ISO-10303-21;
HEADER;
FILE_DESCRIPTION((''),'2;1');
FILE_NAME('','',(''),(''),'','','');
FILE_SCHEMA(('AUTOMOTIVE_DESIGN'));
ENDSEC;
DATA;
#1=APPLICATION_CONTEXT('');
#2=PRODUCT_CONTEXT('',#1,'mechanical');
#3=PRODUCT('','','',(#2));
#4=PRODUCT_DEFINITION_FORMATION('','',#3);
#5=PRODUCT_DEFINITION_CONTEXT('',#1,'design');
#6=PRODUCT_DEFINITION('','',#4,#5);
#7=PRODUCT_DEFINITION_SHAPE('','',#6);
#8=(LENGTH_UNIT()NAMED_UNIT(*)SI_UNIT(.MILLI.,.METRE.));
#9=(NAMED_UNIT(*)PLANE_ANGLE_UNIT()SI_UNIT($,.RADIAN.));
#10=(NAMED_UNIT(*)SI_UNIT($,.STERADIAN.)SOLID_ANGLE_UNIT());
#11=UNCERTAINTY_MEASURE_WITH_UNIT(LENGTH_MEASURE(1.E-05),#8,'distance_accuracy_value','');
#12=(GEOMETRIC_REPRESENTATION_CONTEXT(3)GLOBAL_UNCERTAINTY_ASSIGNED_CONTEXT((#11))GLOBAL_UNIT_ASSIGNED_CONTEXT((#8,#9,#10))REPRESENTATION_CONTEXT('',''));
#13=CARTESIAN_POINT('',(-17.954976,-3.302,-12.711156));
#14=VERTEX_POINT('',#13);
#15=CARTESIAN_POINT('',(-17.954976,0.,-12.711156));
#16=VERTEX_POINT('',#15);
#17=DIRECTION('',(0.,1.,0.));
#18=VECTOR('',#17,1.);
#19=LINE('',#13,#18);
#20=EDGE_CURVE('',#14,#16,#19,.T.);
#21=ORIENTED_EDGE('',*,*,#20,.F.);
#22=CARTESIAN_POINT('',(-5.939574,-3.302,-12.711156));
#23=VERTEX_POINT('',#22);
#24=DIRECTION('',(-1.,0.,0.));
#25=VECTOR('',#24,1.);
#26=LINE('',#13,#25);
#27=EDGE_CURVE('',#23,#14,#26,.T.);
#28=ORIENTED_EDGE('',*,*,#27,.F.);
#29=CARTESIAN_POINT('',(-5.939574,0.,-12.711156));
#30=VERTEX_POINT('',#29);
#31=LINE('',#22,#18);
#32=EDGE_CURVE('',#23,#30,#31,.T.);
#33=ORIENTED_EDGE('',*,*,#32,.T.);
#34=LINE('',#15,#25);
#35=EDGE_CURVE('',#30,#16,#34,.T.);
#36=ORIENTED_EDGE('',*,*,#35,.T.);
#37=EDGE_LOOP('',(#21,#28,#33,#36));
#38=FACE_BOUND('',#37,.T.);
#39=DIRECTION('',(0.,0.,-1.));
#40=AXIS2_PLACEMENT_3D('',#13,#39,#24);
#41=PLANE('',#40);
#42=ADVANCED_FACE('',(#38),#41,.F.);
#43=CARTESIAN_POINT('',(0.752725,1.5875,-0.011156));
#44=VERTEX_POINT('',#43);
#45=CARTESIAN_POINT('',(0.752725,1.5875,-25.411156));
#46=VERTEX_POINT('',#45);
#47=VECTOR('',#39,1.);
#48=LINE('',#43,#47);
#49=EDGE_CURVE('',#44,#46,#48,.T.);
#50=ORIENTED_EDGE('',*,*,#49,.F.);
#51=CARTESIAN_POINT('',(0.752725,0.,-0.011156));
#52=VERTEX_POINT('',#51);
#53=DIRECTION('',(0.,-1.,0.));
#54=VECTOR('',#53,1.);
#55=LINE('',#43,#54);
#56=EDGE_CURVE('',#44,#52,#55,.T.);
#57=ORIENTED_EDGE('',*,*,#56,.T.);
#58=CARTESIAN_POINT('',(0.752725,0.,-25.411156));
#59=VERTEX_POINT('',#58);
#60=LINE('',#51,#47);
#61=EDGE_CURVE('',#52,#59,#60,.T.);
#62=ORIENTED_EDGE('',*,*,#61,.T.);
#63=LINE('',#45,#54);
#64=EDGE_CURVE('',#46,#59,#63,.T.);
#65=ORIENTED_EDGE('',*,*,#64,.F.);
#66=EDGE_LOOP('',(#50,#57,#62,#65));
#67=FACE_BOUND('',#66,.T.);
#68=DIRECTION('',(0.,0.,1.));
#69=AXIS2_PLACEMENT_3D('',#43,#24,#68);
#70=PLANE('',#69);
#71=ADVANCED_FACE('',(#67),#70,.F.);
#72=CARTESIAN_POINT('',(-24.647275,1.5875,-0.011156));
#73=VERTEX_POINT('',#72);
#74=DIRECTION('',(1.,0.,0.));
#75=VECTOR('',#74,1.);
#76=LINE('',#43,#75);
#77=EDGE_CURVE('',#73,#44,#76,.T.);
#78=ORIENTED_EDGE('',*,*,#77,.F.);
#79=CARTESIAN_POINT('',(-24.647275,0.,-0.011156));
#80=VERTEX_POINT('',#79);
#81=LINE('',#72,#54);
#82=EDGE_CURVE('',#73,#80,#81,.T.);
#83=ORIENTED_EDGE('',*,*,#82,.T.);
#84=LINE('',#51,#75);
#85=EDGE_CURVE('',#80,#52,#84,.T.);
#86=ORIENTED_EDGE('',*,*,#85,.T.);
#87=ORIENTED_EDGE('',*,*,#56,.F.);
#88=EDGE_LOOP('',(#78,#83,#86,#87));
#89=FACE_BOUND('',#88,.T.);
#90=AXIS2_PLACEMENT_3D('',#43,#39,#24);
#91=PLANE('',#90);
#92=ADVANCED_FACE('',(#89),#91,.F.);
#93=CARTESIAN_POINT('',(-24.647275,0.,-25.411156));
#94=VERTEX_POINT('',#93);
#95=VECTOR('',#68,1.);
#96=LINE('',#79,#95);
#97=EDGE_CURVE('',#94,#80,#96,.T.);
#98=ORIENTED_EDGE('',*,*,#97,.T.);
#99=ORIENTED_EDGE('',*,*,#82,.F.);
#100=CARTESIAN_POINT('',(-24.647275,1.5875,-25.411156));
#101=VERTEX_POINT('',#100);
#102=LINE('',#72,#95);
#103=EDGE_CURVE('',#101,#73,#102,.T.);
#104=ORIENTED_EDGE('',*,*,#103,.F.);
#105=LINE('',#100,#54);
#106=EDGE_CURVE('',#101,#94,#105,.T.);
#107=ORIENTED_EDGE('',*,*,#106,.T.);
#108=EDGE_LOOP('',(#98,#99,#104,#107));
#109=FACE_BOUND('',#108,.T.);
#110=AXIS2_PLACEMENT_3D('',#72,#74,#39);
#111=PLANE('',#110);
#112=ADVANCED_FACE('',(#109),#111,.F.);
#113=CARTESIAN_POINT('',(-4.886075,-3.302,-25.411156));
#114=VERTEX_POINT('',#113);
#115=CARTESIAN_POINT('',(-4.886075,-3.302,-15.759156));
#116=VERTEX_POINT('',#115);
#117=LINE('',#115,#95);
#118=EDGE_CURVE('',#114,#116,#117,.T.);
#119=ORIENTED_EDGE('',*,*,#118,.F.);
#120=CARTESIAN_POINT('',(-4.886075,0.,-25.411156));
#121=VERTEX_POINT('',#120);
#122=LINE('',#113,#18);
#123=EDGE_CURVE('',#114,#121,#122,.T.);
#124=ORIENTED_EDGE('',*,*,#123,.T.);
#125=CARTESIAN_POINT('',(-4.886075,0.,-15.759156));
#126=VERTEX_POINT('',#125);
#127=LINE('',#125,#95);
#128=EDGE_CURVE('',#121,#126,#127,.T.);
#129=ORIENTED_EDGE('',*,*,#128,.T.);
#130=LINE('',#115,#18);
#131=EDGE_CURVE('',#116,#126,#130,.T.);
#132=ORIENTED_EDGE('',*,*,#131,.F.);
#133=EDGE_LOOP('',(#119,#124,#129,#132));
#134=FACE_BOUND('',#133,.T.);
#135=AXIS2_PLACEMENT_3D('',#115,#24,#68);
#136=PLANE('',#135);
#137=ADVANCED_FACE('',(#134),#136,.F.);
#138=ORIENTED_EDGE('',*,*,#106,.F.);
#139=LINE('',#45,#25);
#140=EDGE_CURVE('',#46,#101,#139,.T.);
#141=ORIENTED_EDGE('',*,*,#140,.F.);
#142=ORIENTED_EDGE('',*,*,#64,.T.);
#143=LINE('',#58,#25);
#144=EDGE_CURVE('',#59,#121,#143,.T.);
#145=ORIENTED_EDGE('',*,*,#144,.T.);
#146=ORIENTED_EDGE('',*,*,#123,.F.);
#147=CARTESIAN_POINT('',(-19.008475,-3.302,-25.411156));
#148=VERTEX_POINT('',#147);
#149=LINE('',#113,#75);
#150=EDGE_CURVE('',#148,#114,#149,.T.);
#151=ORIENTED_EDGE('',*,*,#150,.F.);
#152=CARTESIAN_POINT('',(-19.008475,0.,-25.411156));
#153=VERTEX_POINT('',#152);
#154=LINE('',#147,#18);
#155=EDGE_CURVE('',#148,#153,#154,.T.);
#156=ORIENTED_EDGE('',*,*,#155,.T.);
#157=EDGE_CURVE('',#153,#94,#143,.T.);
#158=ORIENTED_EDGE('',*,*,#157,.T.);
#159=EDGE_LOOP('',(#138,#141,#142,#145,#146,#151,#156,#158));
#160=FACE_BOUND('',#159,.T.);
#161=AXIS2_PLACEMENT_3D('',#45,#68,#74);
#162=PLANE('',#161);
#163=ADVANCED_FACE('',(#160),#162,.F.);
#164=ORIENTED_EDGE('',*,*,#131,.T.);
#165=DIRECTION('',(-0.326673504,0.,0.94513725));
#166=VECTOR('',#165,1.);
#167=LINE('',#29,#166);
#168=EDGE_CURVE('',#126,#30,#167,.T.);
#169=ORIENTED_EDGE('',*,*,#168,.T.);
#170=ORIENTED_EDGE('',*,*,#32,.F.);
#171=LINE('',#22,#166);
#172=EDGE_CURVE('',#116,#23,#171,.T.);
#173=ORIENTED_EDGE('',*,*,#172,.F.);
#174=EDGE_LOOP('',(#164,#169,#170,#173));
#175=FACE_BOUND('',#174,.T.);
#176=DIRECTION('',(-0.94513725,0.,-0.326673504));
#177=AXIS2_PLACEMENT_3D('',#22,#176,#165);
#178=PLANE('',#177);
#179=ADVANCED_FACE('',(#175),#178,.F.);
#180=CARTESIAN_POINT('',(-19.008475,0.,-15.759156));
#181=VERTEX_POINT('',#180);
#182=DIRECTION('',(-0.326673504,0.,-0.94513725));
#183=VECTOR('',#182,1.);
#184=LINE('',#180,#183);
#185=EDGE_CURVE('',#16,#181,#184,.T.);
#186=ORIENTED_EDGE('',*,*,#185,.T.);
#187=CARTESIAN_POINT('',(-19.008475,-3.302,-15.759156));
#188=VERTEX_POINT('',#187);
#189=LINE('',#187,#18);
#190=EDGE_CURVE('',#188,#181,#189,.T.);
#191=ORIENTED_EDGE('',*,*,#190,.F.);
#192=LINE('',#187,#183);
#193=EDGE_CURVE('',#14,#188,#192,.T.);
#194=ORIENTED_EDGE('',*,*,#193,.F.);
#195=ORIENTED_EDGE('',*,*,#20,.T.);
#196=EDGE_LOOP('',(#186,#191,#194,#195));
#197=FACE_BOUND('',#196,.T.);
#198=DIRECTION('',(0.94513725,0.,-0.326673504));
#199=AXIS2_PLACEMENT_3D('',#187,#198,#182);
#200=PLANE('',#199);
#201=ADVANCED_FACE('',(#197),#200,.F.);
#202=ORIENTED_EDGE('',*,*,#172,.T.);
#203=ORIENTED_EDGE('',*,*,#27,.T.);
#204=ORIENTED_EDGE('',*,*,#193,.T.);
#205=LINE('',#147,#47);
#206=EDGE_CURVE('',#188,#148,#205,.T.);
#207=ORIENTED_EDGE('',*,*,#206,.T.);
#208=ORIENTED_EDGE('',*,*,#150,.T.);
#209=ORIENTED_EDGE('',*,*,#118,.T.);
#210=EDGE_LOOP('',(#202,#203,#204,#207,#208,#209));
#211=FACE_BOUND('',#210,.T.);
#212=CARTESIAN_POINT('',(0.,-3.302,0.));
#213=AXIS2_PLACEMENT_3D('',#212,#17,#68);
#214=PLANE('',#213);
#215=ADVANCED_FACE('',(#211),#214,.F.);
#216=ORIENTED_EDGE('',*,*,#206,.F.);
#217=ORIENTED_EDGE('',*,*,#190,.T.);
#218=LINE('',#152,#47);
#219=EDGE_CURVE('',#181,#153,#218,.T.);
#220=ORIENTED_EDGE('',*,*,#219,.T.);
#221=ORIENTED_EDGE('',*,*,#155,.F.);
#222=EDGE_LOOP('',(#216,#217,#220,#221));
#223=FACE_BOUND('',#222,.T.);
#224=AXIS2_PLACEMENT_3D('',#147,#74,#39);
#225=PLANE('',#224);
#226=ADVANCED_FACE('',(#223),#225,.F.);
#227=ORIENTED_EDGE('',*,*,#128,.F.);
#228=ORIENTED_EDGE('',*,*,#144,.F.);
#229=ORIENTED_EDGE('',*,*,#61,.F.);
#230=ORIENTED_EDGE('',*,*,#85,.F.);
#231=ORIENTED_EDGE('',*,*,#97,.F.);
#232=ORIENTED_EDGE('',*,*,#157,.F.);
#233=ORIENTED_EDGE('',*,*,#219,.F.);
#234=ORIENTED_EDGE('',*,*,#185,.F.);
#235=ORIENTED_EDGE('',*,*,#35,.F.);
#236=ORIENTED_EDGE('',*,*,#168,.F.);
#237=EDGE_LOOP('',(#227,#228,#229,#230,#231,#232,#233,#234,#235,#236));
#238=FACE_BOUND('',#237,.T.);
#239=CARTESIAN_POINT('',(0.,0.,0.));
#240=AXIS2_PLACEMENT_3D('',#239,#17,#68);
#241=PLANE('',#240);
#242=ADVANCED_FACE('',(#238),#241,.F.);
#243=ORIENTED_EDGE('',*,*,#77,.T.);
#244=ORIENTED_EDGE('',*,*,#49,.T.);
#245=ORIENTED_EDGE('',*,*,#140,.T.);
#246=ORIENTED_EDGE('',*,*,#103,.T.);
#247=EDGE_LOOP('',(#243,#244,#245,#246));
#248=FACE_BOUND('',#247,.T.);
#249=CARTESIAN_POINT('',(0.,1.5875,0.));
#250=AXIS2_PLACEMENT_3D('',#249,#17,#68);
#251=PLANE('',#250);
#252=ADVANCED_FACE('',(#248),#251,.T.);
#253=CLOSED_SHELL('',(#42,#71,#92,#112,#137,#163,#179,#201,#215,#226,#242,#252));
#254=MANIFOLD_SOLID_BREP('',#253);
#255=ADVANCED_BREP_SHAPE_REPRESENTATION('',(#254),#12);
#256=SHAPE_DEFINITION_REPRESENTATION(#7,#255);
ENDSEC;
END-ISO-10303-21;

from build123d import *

# Parameters (mm, degrees)
SKETCH1_W           = 25.4
SKETCH1_H           = 25.4
BOSS_EXTRUDE1_DEPTH = 1.5875
BOSS_EXTRUDE2_DEPTH = 3.302


with BuildPart() as part:
    # Sketch1 → Boss-Extrude1 (new body)
    with BuildSketch(Plane(origin=(0, 0, 0), x_dir=(1, 0, 0), z_dir=(0, 1, 0))):
        with Locations((-11.947275054, 12.711155892)):
            Rectangle(SKETCH1_W, SKETCH1_H)
    extrude(amount=BOSS_EXTRUDE1_DEPTH)

    # Sketch2 → Boss-Extrude2 (add)
    with BuildSketch(Plane(origin=(0, 0, 0), x_dir=(-1, 0, 0), z_dir=(0, -1, 0))):
        Polygon((17.95497638, 12.711155892), (5.939573728, 12.711155892), (4.886075054, 15.759155892), (4.886075054, 25.411155892), (19.008475054, 25.411155892), (19.008475054, 15.759155892), align=None)
    extrude(amount=BOSS_EXTRUDE2_DEPTH)


solid = part.part
